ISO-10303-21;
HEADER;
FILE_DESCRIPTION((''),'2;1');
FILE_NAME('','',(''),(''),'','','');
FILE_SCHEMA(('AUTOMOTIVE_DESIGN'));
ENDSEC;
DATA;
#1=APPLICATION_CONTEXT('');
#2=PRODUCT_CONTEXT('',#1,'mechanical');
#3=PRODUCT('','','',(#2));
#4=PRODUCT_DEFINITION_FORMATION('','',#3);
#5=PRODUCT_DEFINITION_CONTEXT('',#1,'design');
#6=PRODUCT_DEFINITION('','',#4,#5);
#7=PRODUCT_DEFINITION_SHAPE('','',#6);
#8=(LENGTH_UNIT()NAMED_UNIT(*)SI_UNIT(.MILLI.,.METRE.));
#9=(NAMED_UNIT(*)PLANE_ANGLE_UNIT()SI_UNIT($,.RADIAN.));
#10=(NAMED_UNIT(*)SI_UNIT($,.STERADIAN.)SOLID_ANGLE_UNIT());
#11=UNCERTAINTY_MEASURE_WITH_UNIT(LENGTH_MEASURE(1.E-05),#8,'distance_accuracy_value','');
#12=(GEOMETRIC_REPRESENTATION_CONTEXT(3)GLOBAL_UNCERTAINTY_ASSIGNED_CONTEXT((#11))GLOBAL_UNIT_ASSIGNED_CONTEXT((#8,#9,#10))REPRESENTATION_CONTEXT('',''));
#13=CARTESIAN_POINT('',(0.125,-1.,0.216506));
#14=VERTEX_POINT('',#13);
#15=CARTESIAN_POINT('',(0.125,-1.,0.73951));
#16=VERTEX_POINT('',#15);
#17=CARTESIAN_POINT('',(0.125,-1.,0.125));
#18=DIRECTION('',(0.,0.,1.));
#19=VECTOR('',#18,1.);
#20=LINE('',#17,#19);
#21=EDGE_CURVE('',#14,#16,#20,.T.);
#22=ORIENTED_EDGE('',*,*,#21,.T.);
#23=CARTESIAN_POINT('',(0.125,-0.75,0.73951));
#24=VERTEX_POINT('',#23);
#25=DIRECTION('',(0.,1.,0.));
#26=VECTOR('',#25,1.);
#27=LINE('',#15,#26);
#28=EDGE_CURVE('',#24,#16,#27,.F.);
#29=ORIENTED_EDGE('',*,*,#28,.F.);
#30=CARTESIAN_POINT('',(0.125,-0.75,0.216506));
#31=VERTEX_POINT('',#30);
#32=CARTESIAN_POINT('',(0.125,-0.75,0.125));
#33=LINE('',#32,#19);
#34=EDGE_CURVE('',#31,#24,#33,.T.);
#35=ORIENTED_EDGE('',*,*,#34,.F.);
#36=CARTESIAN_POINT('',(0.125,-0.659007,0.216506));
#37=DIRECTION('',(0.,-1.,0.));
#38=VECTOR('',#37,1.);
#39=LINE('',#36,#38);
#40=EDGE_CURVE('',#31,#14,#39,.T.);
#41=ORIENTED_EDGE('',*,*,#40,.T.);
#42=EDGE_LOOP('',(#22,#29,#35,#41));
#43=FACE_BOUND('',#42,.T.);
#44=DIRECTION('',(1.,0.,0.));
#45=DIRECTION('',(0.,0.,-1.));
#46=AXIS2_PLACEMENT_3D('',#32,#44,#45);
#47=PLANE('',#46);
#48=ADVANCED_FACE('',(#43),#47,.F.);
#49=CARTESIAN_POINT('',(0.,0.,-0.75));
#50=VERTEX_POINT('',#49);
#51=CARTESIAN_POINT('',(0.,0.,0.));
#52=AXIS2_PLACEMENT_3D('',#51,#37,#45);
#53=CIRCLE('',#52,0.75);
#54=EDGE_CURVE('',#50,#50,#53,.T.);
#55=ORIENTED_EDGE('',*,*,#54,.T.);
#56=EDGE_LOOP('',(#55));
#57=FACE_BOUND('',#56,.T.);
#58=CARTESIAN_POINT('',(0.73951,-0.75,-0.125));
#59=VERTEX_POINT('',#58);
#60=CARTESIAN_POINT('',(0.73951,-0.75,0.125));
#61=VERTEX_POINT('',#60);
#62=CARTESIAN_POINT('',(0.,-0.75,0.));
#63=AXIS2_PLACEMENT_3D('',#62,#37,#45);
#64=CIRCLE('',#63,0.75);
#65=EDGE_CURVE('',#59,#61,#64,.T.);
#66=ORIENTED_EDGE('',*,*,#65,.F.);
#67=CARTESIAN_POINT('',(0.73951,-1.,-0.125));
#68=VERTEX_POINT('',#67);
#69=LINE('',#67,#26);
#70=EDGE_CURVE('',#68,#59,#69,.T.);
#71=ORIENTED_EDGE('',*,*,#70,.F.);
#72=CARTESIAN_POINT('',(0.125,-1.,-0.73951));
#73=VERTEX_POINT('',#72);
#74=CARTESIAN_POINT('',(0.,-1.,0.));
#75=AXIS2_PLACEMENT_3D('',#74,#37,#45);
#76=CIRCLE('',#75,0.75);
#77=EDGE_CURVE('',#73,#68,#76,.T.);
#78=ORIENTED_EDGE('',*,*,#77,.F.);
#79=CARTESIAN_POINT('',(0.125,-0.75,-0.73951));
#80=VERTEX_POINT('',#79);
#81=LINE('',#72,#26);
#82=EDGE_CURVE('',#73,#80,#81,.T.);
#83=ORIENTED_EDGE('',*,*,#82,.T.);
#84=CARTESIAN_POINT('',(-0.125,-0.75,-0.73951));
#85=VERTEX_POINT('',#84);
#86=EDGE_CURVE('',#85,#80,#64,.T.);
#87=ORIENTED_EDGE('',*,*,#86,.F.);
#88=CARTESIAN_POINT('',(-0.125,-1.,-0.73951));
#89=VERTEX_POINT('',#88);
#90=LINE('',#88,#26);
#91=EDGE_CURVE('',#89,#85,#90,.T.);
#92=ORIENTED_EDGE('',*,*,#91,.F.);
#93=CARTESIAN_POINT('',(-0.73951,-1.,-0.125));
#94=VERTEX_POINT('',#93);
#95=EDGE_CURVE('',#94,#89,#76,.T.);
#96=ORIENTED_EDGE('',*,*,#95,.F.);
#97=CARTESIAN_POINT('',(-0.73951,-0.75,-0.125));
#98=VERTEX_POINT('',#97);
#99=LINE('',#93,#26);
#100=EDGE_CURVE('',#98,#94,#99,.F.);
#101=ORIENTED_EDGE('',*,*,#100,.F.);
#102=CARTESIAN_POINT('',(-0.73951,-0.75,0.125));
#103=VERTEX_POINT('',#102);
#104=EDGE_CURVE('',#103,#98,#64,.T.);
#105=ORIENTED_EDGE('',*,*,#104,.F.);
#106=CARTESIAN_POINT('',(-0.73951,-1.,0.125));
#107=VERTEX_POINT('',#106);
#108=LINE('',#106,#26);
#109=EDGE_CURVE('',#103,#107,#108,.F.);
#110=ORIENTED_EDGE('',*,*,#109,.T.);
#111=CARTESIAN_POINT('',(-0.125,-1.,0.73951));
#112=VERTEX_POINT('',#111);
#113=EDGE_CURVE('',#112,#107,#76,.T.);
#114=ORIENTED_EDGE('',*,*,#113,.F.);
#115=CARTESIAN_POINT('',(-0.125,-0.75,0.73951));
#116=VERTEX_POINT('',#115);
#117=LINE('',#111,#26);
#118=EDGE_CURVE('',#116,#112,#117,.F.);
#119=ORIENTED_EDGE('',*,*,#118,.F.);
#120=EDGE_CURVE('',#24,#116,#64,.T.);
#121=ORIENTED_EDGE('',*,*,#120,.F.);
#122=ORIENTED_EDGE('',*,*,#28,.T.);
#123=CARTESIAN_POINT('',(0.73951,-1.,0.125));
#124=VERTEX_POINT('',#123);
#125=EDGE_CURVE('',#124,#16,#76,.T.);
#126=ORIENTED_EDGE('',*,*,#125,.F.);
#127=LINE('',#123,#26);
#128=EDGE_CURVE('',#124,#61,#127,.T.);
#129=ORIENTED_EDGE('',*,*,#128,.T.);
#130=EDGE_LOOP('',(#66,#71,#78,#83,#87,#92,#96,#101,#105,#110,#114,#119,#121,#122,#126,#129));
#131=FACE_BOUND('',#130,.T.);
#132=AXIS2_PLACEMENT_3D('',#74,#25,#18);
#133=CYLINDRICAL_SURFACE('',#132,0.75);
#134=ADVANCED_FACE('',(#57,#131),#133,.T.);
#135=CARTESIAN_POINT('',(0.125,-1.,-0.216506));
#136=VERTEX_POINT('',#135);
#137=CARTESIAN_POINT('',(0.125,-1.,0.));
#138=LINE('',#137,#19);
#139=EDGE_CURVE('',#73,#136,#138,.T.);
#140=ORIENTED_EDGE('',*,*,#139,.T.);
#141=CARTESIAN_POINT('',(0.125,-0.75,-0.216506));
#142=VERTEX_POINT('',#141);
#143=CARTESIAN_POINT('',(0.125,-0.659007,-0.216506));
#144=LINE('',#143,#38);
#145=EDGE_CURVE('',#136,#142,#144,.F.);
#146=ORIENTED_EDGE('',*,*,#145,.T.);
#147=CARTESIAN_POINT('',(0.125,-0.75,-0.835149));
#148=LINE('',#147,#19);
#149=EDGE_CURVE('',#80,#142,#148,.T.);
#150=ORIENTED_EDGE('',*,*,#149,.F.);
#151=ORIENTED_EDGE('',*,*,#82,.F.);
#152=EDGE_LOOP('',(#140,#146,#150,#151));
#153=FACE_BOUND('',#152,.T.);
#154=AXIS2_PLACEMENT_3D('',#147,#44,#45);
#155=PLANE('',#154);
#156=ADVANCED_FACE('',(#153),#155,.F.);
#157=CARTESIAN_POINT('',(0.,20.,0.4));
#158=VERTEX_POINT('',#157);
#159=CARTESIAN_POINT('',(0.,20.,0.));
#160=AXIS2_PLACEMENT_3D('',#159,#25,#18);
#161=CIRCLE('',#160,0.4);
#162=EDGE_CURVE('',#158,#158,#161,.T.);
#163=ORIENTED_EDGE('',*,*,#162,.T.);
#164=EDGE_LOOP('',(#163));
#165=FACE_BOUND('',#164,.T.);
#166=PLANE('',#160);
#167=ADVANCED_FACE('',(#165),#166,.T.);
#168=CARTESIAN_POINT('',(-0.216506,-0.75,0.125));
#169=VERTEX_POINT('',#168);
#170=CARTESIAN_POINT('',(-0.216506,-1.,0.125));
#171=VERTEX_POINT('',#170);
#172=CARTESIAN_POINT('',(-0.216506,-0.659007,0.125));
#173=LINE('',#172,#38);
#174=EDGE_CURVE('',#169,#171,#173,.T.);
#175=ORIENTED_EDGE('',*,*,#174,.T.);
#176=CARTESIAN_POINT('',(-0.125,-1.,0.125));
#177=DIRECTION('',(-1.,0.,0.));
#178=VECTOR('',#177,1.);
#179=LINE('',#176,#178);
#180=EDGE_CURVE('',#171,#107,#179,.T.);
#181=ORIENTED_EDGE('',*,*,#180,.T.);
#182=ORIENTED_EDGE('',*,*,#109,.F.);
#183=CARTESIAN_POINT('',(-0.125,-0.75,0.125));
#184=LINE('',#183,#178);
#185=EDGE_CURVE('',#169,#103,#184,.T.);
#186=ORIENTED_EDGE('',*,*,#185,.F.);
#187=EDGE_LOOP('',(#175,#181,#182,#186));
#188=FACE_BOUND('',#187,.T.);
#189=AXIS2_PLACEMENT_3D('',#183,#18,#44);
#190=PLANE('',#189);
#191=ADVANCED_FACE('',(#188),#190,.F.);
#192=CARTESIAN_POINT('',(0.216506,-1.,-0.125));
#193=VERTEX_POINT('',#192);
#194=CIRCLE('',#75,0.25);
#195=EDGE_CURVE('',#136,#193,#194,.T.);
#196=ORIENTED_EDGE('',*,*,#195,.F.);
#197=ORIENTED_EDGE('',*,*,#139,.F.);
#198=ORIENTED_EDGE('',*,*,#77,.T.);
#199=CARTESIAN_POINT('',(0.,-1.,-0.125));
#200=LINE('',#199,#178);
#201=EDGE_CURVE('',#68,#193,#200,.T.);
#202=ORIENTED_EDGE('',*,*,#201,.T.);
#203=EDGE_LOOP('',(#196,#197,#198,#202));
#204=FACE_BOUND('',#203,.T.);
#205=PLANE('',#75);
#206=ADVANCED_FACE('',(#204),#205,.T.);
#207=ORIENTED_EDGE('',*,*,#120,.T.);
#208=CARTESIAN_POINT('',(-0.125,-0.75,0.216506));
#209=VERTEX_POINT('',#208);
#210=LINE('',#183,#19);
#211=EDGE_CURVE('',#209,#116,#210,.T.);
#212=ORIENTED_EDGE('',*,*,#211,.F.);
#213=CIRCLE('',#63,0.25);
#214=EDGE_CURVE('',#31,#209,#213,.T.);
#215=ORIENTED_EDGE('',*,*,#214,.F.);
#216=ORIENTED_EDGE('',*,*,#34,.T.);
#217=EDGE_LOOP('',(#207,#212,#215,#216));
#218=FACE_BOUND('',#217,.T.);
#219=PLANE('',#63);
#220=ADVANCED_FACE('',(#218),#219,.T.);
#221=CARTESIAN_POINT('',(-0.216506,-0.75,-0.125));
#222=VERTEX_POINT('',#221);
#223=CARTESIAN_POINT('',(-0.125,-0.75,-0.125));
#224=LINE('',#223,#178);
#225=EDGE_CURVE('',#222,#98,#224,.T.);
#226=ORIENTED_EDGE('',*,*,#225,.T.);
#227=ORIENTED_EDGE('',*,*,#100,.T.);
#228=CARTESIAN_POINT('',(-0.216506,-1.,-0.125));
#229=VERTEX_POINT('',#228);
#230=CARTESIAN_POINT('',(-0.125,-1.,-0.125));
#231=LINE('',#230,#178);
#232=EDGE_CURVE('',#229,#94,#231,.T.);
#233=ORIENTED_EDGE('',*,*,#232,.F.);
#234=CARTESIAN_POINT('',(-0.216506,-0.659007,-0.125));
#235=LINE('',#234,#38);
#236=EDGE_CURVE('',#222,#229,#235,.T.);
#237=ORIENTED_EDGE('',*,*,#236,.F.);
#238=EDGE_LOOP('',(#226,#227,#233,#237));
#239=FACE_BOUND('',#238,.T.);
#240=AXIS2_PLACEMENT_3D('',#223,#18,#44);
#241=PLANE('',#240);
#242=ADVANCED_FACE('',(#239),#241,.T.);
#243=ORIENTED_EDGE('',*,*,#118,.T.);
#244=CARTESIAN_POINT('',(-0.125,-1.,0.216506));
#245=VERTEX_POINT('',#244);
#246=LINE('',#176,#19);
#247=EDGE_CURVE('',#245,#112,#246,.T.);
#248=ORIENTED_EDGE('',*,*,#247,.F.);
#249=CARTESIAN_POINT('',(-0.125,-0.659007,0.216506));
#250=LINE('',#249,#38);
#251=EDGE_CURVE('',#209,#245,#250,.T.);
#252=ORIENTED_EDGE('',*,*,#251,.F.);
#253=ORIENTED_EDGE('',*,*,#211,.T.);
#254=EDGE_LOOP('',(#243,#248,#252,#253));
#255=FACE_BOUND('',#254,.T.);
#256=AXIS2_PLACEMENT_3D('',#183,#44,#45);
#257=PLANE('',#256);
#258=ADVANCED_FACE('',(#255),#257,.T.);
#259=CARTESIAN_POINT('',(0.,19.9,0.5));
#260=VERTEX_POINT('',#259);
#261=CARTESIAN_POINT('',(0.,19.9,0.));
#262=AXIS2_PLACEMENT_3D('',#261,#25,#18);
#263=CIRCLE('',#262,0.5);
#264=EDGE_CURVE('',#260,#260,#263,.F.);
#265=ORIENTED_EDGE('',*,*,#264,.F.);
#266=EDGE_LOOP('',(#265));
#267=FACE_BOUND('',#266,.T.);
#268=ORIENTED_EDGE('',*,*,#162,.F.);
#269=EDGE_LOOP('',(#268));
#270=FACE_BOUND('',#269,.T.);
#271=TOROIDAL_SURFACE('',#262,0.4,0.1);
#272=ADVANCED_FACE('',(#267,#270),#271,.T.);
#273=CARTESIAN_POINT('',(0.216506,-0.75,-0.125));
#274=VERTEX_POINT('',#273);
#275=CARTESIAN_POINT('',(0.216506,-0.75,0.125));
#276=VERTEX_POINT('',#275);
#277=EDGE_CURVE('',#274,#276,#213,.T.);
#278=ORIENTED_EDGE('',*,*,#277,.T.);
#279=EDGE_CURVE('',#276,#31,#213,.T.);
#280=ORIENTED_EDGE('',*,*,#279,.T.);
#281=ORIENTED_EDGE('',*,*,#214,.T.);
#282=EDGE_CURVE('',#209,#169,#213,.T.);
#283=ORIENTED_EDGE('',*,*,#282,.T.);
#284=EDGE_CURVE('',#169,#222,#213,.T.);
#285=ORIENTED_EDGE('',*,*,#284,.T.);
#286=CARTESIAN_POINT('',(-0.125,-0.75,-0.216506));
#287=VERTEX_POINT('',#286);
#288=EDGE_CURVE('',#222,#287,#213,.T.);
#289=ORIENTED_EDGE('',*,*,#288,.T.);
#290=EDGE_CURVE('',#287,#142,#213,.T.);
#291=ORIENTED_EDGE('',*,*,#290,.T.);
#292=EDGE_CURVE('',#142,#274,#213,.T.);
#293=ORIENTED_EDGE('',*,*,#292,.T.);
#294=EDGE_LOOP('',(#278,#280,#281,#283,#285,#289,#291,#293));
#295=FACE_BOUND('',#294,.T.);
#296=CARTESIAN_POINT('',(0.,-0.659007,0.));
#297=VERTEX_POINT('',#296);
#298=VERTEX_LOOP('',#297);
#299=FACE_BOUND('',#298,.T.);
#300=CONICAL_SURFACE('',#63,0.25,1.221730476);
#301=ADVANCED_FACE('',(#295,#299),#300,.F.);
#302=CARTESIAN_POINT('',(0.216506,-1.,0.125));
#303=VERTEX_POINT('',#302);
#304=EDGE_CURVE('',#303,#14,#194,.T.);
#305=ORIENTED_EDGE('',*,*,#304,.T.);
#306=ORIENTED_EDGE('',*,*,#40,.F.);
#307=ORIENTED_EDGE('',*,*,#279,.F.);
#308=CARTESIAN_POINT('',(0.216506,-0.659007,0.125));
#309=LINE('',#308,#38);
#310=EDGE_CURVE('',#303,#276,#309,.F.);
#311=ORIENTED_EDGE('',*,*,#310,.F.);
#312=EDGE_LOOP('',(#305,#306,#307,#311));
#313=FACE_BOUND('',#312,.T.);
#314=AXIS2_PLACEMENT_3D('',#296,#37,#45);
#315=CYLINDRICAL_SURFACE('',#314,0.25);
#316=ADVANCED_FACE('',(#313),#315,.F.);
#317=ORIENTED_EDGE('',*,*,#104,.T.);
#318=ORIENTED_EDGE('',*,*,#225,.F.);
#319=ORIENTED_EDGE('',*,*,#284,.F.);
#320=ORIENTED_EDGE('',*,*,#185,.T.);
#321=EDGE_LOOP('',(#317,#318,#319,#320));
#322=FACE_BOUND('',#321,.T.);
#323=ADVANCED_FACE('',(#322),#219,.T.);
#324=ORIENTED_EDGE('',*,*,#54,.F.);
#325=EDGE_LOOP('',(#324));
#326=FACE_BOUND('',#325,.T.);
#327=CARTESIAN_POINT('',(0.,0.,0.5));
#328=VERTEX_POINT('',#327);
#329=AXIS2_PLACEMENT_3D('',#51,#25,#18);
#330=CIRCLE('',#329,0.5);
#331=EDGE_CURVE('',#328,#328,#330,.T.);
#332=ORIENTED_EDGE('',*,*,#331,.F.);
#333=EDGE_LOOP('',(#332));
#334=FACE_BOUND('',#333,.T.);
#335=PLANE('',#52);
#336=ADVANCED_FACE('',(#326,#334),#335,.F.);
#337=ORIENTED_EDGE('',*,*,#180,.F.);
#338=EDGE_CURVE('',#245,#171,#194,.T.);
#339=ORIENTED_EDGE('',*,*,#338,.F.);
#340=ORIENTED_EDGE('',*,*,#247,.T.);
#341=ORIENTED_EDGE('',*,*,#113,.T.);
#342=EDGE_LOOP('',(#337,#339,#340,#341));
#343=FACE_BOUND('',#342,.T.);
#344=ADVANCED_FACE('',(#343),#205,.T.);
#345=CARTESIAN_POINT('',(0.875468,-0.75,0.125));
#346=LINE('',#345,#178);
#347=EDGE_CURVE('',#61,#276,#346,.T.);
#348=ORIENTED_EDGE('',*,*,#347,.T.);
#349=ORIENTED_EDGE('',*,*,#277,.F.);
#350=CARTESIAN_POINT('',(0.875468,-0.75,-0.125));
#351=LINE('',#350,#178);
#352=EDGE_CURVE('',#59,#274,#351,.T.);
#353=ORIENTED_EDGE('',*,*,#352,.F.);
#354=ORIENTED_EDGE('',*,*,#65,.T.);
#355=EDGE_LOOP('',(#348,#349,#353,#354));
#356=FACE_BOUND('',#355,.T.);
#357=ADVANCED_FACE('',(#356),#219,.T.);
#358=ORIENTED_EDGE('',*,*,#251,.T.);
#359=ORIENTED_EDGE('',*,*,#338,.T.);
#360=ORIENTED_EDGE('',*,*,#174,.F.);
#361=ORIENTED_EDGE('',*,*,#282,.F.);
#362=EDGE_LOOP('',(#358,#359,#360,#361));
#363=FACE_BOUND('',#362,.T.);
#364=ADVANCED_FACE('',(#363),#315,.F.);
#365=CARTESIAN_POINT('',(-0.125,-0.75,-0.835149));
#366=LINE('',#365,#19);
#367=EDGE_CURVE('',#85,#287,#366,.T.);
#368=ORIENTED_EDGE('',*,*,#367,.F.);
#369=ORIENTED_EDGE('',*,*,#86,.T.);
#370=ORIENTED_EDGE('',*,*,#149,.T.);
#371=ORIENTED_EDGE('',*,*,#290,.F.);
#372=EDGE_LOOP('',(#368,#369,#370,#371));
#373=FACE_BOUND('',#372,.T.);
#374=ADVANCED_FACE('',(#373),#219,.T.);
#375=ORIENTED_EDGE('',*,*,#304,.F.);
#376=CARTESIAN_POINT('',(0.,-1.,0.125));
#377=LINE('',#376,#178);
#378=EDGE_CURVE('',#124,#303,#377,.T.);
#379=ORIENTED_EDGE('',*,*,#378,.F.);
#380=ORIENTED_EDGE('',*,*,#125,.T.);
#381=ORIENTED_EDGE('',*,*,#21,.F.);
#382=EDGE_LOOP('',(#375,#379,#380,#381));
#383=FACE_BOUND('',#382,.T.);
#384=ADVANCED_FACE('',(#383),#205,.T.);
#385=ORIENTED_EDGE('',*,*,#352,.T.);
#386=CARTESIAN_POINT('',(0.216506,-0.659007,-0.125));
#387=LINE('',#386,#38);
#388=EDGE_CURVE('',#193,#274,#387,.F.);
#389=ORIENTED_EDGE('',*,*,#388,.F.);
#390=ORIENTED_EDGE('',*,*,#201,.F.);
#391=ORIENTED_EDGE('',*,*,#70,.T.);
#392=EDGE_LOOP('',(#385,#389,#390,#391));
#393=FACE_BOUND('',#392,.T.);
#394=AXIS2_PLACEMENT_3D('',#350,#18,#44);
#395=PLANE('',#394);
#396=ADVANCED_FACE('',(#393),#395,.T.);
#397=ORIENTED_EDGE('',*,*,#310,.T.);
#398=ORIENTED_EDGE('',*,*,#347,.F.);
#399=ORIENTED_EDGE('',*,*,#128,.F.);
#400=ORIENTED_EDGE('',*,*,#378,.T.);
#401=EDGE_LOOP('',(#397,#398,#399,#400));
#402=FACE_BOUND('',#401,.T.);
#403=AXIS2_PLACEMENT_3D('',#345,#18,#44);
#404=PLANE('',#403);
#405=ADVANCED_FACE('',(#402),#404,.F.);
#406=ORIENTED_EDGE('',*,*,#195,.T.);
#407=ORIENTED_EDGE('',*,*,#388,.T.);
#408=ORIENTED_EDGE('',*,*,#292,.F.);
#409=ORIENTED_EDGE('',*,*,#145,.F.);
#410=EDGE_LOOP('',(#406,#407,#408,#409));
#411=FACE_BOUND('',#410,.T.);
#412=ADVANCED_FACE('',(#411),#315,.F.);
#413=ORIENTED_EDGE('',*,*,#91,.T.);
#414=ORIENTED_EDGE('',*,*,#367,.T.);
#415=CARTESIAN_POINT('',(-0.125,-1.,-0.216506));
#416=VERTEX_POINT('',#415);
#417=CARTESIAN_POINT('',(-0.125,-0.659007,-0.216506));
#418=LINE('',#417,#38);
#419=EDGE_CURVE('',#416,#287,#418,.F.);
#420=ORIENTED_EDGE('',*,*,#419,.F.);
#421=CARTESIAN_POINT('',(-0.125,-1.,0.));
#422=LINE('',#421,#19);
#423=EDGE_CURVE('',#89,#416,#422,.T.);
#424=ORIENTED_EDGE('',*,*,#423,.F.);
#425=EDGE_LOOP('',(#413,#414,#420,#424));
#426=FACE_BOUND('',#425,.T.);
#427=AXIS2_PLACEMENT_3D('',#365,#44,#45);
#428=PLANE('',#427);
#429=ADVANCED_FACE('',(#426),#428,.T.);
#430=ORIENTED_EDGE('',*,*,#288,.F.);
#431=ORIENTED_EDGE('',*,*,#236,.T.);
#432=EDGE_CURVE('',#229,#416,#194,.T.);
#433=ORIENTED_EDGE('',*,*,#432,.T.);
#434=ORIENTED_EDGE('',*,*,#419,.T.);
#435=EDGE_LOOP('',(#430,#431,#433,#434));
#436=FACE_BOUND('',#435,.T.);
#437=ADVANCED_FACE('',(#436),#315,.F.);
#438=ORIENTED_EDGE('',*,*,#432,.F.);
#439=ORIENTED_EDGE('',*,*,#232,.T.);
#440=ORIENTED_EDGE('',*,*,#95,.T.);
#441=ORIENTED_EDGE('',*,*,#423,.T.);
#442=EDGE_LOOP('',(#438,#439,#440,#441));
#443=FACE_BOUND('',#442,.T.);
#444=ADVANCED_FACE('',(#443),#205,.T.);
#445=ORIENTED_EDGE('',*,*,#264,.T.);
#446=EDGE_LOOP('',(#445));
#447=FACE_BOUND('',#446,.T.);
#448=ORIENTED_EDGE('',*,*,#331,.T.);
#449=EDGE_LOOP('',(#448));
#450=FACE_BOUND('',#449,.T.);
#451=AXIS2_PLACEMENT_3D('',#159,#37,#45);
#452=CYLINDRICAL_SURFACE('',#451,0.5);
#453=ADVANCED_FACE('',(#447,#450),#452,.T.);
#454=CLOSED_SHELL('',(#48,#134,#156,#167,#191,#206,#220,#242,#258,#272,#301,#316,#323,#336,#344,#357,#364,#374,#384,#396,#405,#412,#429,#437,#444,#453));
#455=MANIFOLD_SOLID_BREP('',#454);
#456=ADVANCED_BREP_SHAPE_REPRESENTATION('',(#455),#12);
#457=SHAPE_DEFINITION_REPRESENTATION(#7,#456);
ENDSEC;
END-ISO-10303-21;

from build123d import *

# Parameters (mm, degrees)
SKETCH1_R           = 0.5
BOSS_EXTRUDE1_DEPTH = 20
SKETCH2_R           = 0.75
BOSS_EXTRUDE2_DEPTH = 1
CUT_EXTRUDE1_DEPTH  = 0.25
FILLET1_R           = 0.1


with BuildPart() as part:
    # Sketch1 → Boss-Extrude1 (new body)
    with BuildSketch(Plane(origin=(0, 0, 0), x_dir=(1, 0, 0), z_dir=(0, 1, 0))):
        with Locations(Location((0, 0, 0), (0, 0, 270))):
            Circle(SKETCH1_R)
    extrude(amount=BOSS_EXTRUDE1_DEPTH)

    # Sketch2 → Boss-Extrude2 (add)
    with BuildSketch(Plane.XZ):
        with Locations(Location((0, 0, 0), (0, 0, 270))):
            Circle(SKETCH2_R)
    extrude(amount=BOSS_EXTRUDE2_DEPTH)

    # Sketch3 → Cut-Extrude1 (cut)
    with BuildSketch(Plane.XZ.offset(1)):
        Polygon((-0.125, 0.125), (-0.875467833, 0.125), (-0.875467833, -0.125), (-0.125, -0.125), (-0.125, -0.835149175), (0.125, -0.835149175), (0.125, -0.125), (0.875467833, -0.125), (0.875467833, 0.125), (0.125, 0.125), (0.125, 0.835149175), (-0.125, 0.835149175), align=None)
    extrude(amount=-CUT_EXTRUDE1_DEPTH, mode=Mode.SUBTRACT)

    # Sketch5 → Cut-Revolve1 (revolve, cut)
    with BuildSketch(Plane(origin=(0, 0, 0), x_dir=(0, 0, -1), z_dir=(1, 0, 0)), mode=Mode.PRIVATE) as cut_revolve1_sk:
        Polygon((0, -0.659007441), (0, -1), (0.25, -1), (0.25, -0.75), align=None)
    revolve(cut_revolve1_sk.sketch.rotate(Axis((0, -0.659007441, 0), (0, 1, 0)), 170.405931773), axis=Axis((0, -0.659007441, 0), (0, 1, 0)), mode=Mode.SUBTRACT)

    # Fillet1
    fillet1_edges = [part.edges().sort_by_distance(p)[0] for p in [
        (0, 20, -0.5),
    ]]
    fillet(fillet1_edges, radius=FILLET1_R)


solid = part.part
